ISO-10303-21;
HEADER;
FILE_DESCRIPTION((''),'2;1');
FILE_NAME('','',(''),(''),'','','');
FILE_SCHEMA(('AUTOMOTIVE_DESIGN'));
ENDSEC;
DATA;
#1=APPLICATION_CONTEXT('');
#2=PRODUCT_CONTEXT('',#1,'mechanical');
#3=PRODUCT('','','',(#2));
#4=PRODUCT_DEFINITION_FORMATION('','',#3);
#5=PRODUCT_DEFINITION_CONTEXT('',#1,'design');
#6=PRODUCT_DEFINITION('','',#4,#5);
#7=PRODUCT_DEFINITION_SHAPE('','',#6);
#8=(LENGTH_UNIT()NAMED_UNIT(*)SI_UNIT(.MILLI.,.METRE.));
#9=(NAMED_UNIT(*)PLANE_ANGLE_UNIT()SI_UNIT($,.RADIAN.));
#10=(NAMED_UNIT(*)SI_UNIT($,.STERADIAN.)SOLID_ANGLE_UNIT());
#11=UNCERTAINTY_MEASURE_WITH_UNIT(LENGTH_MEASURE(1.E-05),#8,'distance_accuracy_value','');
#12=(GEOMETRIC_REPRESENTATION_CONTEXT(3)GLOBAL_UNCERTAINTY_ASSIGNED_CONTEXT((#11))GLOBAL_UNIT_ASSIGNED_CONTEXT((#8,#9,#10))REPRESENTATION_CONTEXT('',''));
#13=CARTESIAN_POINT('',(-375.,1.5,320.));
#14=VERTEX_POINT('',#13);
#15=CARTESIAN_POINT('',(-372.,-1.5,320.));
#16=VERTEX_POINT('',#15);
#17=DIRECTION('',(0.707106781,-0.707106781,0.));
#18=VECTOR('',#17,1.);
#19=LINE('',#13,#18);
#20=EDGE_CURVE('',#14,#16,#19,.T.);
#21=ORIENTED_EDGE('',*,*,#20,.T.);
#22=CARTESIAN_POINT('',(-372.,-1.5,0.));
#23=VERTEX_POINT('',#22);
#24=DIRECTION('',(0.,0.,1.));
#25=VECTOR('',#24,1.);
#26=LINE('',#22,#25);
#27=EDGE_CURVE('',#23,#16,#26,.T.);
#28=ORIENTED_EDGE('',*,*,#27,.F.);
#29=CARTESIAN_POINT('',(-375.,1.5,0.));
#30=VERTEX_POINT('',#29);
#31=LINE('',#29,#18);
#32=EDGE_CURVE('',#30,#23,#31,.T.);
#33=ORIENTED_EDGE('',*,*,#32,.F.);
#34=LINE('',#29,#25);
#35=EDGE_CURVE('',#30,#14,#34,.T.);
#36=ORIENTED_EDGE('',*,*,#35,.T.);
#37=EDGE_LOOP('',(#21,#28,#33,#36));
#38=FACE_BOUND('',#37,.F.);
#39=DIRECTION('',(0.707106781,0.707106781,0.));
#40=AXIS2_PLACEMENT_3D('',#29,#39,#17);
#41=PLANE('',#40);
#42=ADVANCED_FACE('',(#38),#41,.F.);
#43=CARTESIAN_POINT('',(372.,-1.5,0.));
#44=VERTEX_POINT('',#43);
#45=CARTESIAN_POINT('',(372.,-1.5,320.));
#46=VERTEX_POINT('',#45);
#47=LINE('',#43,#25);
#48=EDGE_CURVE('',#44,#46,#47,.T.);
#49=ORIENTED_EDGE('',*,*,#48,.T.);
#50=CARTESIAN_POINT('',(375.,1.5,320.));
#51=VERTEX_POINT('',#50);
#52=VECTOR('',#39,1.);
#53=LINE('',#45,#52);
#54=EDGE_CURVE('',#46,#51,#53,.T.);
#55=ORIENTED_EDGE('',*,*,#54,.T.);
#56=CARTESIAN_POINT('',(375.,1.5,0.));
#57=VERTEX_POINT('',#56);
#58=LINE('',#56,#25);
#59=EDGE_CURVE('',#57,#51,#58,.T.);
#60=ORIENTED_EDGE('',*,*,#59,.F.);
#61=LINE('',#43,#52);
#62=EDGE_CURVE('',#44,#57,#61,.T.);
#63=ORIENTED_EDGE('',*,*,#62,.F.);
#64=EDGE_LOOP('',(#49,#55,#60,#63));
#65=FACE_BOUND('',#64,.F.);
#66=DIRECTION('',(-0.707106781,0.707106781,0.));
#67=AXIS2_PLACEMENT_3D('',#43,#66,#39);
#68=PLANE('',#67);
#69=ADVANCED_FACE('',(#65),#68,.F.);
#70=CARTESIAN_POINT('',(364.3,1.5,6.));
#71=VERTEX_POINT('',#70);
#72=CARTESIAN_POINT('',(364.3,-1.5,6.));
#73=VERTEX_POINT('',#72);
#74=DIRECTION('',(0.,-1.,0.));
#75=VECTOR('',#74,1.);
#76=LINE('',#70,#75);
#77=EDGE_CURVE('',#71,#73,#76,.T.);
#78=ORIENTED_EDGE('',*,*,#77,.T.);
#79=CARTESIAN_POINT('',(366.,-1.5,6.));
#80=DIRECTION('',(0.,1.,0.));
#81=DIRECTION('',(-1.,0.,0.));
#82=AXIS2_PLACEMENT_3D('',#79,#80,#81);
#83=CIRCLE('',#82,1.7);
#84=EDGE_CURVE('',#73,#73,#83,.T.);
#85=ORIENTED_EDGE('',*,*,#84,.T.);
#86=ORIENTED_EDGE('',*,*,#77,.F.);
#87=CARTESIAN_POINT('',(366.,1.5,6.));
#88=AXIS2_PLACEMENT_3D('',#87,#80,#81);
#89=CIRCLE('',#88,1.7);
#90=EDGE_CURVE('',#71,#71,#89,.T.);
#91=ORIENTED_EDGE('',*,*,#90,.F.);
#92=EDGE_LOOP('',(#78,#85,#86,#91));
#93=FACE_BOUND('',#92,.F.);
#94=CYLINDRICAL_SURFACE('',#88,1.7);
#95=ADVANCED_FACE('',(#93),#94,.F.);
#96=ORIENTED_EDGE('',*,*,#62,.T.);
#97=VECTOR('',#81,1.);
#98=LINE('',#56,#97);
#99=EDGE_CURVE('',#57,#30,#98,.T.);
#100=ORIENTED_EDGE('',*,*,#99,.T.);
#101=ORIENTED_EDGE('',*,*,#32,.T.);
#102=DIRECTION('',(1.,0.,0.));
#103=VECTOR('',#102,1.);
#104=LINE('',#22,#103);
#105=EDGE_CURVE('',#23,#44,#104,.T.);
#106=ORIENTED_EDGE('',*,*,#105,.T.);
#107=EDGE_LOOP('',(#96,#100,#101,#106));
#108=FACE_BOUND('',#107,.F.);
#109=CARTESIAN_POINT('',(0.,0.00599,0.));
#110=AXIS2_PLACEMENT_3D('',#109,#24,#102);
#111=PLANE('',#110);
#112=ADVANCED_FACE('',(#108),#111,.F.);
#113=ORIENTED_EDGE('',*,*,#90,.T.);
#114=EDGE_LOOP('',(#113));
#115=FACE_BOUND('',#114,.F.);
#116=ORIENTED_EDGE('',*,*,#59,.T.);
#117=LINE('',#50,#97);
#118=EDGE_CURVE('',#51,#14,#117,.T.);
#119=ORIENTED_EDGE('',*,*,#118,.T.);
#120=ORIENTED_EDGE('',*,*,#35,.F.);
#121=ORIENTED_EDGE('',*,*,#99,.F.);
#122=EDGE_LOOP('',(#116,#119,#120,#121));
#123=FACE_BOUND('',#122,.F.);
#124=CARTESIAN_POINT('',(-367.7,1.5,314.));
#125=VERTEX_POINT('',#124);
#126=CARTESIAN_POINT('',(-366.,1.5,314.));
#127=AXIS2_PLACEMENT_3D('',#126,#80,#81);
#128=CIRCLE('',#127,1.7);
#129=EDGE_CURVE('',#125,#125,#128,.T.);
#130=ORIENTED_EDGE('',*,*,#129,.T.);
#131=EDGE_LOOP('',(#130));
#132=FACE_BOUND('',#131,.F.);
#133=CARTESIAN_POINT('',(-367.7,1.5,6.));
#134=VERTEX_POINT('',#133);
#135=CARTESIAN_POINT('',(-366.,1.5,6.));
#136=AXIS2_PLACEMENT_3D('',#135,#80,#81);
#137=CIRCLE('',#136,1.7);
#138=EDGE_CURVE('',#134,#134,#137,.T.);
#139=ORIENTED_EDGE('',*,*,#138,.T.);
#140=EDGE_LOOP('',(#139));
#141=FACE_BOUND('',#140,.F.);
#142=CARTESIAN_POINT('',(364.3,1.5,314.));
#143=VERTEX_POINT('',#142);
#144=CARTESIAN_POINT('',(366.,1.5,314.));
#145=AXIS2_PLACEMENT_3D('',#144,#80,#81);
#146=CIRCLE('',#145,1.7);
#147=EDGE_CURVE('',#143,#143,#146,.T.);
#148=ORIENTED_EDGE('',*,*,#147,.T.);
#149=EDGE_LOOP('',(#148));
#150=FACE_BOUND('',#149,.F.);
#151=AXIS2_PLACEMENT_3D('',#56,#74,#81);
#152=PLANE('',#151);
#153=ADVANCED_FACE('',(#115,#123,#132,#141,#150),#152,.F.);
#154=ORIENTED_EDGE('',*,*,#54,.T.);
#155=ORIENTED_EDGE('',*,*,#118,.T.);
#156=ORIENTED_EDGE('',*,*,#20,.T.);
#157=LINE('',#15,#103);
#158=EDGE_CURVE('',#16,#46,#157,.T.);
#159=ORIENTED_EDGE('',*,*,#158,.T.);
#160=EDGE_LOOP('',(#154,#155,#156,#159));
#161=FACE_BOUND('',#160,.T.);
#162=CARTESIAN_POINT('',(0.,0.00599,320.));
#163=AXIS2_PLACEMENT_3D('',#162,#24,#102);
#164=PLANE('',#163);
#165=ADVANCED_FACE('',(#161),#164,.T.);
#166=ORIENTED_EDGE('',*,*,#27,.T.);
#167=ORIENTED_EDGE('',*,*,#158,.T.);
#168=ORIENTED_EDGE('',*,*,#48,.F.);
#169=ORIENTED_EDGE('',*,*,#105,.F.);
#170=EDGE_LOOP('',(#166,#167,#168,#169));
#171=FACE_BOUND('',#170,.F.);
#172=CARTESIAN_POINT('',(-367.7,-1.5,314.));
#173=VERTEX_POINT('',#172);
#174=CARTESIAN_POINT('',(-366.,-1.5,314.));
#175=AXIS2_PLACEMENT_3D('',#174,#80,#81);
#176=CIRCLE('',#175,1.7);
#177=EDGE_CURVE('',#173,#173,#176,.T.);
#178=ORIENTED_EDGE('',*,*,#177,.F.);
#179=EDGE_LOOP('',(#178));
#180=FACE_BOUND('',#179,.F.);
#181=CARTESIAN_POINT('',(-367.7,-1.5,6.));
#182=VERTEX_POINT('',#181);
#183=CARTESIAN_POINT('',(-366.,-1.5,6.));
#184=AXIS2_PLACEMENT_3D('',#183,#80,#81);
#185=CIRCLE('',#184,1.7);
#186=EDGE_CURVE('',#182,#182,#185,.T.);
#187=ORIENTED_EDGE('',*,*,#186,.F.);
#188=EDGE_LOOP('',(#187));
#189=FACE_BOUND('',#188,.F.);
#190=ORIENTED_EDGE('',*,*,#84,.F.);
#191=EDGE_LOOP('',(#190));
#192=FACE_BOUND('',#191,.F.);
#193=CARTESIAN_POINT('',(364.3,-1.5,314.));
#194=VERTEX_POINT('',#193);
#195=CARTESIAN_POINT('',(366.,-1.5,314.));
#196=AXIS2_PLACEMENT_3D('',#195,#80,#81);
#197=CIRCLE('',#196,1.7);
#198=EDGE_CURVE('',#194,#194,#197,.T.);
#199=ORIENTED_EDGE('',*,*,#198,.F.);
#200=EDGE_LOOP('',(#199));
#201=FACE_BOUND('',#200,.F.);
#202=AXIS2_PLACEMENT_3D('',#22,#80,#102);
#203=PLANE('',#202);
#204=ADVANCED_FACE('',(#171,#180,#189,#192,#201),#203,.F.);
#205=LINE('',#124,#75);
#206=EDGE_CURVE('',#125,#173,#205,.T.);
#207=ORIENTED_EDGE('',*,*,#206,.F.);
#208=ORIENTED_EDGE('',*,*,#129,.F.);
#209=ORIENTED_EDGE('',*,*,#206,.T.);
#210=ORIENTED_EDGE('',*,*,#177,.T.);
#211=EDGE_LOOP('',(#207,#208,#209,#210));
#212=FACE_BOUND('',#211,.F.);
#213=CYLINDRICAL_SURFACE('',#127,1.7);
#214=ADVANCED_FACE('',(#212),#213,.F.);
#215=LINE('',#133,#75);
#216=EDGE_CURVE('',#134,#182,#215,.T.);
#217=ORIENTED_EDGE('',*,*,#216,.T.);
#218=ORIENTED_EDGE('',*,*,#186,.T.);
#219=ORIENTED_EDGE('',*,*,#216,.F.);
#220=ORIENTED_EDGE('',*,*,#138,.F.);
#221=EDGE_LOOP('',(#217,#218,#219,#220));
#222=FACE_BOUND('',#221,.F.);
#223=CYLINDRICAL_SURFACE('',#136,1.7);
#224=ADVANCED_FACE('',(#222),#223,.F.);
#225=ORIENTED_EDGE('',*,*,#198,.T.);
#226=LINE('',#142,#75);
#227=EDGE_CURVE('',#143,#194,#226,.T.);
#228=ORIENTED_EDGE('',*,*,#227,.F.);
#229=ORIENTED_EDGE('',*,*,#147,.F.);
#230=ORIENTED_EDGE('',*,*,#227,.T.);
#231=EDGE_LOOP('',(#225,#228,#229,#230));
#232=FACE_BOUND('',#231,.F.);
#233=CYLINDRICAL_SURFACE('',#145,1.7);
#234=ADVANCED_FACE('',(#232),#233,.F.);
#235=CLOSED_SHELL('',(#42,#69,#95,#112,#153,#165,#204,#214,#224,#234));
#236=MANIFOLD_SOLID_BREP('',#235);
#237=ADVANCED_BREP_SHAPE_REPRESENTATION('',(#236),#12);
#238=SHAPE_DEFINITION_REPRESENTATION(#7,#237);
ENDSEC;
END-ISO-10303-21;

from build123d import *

# Parameters (mm, degrees)
F1_DEPTH = 320
F2_R     = 1.7
F3_DEPTH = 3


with BuildPart() as f1:
    # F0 (on Top) → F1 (new body)
    with BuildSketch(Plane.XY):
        Polygon((375, 1.5), (0, 1.5), (-375, 1.5), (-372, -1.5), (0, -1.5), (372, -1.5), align=None)
    extrude(amount=F1_DEPTH)

    # F2 (on face) → F3 (cut)
    with BuildSketch(Plane(origin=(0, 1.5, 0), x_dir=(-1, 0, 0), z_dir=(0, 1, 0))):
        with Locations((-366, 314)):
            Circle(F2_R)
        with Locations((366, 314)):
            Circle(F2_R)
        with Locations((366, 6)):
            Circle(F2_R)
        with Locations((-366, 6)):
            Circle(F2_R)
    extrude(amount=-F3_DEPTH, mode=Mode.SUBTRACT)


solid = f1.part
